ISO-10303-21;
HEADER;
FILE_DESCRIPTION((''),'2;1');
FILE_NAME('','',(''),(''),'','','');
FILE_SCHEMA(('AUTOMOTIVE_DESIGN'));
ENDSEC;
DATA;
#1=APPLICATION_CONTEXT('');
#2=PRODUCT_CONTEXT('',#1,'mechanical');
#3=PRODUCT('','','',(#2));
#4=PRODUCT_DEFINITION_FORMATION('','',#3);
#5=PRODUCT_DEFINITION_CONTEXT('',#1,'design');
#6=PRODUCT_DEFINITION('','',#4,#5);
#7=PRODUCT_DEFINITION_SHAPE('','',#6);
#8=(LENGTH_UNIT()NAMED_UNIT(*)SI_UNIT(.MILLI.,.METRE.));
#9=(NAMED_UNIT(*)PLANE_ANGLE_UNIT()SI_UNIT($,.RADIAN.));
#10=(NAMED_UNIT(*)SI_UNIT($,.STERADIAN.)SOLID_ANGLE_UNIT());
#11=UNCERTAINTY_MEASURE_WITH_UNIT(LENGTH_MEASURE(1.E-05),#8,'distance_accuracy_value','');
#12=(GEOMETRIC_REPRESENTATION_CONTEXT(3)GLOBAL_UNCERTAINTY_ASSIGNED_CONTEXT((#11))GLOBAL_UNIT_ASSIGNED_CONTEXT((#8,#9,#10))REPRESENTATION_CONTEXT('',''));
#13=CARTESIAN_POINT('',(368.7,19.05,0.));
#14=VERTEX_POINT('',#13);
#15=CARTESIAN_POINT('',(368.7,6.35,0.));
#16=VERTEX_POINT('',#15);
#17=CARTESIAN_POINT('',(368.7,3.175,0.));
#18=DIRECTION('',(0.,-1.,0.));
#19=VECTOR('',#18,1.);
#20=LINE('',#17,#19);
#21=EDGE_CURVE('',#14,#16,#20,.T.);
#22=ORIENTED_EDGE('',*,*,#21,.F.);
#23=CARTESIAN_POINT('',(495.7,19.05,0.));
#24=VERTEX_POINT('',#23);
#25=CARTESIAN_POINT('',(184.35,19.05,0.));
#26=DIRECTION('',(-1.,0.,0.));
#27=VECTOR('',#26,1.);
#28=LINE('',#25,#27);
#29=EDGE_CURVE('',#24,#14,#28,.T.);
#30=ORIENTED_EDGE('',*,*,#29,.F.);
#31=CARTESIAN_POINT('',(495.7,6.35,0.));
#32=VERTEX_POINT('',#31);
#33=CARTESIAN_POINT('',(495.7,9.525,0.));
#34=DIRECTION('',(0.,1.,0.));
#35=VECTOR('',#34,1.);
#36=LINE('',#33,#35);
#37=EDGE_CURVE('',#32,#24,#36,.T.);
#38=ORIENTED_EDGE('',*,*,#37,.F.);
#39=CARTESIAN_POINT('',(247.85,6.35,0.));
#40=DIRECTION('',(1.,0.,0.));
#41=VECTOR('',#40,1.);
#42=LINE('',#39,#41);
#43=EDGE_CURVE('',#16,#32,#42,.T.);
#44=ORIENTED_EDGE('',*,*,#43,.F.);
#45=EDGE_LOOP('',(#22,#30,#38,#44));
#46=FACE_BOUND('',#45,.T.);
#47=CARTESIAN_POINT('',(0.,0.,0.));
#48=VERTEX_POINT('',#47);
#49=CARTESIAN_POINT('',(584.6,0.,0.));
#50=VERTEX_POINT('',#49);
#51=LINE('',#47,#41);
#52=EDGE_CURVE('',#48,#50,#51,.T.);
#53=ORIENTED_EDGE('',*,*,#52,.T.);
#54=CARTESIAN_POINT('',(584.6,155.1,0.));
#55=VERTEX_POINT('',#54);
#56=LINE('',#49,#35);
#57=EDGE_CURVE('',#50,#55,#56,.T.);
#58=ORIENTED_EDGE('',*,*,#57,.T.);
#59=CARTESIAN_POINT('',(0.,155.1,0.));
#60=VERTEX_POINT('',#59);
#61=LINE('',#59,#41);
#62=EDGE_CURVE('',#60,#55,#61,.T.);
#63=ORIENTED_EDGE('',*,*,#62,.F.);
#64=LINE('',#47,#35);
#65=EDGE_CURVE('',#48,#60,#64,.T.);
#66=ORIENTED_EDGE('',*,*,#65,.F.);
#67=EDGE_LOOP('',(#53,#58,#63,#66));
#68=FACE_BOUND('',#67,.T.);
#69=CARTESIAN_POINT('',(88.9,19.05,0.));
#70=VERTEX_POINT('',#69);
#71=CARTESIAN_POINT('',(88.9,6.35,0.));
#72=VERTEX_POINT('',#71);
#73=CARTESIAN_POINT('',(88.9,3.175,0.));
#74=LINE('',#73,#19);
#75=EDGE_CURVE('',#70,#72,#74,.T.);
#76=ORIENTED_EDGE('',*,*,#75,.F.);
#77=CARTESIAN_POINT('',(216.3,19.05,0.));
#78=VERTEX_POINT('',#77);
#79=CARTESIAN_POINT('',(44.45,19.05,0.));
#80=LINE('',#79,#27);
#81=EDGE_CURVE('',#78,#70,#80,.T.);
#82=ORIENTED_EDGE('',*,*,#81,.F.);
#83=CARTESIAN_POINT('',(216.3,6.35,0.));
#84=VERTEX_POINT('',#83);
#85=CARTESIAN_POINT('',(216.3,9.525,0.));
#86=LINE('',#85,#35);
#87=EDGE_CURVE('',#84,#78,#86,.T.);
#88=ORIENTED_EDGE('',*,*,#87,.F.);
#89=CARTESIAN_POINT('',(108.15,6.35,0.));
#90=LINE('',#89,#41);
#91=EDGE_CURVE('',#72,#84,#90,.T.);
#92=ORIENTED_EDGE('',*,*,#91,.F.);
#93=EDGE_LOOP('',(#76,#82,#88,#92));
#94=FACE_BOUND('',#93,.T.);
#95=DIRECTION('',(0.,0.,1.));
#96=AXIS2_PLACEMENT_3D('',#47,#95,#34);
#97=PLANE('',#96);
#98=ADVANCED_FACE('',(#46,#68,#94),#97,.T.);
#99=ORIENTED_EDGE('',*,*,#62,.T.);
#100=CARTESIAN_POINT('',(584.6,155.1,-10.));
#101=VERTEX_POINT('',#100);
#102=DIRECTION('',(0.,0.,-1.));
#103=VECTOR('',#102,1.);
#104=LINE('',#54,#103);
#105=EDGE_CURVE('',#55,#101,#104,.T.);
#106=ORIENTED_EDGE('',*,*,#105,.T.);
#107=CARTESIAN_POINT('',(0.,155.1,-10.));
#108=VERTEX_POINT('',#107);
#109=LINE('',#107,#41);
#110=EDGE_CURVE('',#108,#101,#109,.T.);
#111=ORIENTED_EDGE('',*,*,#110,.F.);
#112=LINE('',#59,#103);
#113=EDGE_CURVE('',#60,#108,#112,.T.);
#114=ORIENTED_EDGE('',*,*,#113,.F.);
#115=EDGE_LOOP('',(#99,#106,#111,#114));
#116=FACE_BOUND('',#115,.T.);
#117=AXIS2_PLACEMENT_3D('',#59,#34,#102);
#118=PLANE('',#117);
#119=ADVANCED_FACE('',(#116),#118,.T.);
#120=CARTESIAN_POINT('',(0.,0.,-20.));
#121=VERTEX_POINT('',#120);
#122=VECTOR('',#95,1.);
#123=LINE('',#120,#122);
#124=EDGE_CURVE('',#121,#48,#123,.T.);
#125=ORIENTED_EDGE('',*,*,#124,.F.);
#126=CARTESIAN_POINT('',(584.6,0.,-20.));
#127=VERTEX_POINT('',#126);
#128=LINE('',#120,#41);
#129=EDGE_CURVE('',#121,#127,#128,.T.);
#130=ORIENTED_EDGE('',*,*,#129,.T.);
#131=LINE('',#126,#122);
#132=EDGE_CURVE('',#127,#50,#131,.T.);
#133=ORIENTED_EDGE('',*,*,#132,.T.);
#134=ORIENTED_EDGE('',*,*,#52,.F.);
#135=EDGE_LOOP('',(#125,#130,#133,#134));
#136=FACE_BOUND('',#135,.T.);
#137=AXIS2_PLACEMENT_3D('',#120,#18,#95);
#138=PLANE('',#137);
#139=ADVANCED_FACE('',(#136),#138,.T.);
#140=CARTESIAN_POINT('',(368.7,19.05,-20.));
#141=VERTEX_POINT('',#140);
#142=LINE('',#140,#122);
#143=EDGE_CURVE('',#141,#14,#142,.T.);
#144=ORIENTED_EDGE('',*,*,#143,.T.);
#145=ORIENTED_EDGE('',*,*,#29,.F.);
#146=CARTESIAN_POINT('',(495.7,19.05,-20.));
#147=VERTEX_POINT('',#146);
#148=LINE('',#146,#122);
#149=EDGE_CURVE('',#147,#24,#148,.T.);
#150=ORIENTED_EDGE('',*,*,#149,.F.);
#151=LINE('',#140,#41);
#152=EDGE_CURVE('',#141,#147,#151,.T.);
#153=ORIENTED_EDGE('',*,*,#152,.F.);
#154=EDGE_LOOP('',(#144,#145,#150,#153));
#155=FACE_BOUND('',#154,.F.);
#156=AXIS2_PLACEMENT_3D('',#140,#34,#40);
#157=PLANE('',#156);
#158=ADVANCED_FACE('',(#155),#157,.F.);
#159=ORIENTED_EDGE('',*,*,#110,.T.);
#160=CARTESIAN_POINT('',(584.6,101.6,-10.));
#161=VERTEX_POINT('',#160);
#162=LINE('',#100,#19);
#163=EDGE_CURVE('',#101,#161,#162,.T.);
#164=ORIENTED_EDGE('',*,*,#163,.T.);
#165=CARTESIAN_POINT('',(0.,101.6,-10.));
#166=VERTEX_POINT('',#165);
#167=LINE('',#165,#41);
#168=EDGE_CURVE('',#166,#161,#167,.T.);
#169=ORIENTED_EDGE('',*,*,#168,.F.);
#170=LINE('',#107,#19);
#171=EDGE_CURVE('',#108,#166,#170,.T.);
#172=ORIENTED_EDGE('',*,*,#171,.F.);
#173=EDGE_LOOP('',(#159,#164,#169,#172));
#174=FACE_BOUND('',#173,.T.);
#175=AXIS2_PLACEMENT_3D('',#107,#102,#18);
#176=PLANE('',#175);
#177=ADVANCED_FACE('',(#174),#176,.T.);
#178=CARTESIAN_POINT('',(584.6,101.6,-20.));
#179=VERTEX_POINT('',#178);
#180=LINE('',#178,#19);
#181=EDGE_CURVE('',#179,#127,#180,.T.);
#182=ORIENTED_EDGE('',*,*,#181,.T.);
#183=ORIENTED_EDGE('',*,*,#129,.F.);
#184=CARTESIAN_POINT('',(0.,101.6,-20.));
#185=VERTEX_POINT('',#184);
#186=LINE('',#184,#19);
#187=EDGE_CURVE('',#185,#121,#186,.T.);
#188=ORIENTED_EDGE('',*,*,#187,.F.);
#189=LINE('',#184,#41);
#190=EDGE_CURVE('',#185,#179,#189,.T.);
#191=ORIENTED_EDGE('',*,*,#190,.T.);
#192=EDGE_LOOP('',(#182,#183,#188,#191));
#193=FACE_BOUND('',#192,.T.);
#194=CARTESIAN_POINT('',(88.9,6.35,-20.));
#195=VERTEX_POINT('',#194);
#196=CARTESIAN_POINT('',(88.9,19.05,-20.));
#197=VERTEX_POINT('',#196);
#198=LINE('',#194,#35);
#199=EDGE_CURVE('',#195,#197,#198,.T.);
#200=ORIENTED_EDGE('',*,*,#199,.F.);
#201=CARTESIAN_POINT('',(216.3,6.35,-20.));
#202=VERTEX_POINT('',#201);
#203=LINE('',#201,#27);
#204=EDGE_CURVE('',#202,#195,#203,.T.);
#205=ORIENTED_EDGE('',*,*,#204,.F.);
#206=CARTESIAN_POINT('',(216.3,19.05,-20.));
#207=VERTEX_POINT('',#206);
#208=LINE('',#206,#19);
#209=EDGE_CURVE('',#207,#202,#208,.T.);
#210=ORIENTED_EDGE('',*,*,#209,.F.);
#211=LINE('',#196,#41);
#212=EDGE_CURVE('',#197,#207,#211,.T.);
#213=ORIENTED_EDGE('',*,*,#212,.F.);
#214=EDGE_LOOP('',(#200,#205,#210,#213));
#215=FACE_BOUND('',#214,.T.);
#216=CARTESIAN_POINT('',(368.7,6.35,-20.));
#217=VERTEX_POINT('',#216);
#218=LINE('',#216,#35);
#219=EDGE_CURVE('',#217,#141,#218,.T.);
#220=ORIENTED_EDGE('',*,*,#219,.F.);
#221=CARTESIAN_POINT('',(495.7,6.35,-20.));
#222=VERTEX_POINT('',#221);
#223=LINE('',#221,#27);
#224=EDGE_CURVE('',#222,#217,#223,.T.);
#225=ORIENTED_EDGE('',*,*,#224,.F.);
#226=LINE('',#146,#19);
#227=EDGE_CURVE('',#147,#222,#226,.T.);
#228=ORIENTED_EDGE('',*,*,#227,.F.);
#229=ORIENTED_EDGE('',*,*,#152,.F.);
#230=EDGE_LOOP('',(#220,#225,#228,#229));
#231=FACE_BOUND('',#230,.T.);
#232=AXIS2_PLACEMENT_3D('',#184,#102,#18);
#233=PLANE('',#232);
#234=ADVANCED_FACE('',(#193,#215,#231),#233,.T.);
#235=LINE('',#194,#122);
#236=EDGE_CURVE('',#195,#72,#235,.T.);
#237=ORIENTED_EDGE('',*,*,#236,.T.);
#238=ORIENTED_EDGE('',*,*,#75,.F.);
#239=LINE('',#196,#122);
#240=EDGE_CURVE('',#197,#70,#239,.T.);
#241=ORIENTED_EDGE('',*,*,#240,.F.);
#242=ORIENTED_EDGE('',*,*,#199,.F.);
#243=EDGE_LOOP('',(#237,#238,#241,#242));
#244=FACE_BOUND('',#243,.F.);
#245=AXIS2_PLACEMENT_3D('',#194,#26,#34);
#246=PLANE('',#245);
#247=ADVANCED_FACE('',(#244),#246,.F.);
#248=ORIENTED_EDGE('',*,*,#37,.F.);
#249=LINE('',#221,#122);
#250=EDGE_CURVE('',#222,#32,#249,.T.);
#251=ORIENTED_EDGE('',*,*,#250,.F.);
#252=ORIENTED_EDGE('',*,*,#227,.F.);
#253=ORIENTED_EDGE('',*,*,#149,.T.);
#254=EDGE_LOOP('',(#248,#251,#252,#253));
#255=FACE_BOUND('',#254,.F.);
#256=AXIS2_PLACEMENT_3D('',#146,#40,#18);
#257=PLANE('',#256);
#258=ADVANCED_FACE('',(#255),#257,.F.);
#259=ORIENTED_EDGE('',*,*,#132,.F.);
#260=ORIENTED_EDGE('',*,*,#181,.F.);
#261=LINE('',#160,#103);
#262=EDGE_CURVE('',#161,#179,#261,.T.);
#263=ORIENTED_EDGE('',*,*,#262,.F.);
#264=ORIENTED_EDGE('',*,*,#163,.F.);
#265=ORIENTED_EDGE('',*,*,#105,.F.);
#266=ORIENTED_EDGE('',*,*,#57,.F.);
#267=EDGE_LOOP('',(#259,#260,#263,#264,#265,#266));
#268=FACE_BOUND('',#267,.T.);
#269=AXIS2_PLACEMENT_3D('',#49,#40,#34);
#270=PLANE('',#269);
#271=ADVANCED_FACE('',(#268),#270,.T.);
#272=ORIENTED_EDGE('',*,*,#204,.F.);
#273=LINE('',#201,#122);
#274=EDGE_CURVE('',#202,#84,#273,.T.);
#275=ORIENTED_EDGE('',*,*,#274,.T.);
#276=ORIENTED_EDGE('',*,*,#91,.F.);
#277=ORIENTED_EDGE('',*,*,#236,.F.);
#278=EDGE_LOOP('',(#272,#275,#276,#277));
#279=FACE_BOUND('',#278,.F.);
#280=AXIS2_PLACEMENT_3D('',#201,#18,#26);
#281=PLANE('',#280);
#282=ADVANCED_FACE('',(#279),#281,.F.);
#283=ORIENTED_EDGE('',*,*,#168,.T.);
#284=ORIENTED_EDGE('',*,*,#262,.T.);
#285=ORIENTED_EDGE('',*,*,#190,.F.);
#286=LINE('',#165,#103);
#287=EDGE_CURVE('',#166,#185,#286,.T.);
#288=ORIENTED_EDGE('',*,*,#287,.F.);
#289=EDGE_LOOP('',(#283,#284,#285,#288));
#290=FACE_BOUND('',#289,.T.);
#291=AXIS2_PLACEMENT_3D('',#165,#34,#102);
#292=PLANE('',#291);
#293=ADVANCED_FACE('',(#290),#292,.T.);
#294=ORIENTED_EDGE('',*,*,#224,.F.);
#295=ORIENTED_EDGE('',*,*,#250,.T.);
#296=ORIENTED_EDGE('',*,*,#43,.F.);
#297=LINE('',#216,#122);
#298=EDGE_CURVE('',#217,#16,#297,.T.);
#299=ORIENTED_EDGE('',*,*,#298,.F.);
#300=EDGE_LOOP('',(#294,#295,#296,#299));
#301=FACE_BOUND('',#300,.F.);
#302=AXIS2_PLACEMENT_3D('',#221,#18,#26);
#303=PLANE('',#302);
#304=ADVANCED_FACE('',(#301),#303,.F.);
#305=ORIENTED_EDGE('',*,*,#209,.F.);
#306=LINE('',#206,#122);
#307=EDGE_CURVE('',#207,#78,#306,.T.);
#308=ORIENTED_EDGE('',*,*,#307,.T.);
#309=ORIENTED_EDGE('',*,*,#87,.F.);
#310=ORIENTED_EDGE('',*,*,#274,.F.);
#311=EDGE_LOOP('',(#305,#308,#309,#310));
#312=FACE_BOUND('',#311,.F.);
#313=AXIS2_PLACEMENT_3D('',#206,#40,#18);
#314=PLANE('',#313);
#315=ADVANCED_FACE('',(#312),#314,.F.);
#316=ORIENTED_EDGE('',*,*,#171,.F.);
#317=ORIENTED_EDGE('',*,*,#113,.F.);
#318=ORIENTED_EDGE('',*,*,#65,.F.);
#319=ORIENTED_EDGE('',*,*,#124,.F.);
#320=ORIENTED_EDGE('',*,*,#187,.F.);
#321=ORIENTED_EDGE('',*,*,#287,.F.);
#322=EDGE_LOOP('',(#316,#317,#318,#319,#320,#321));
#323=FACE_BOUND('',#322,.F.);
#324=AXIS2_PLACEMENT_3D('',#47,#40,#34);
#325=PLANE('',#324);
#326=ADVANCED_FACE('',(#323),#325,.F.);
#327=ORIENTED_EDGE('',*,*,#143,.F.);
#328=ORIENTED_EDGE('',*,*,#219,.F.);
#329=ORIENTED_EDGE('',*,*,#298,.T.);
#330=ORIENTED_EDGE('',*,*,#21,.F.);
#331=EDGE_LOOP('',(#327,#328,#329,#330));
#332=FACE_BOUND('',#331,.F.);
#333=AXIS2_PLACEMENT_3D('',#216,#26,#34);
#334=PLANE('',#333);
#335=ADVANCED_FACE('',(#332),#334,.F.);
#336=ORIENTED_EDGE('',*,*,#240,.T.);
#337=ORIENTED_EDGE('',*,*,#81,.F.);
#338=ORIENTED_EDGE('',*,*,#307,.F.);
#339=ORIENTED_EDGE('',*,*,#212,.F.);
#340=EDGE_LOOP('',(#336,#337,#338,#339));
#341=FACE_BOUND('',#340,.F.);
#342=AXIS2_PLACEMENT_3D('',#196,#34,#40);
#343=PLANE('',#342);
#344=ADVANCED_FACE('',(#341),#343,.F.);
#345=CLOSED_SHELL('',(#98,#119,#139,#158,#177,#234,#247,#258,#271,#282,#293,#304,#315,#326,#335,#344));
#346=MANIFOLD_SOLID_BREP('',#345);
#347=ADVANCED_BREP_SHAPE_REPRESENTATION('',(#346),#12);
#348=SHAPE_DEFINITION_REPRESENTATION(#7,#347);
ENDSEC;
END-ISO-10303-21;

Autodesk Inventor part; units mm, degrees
ref_plane "YZ Plane" through (0, 0, 0) normal (1, 0, 0) x (0, 1, 0)
sketch "Sketch1" plane through (0, 0, 0) normal (1, 0, 0) x (0, 1, 0)
  line L0 (0, 0) -> (155.1, 0)
  line L1 (155.1, 0) -> (155.1, -10)
  line L2 (0, -20) -> (0, 0)
  line L3 (155.1, -10) -> (101.6, -10)
  line L4 (101.6, -10) -> (101.6, -20)
  line L5 (101.6, -20) -> (0, -20)
  dimension "d0" = 53.5
  dimension "d1" = 155.1
  dimension "d2" = 10
  dimension "d3" = 10
  dimension "d4" = 20
extrude "Extrusion1" add sketch "Sketch1" along normal blind 584.6
ref_plane "Work Plane2" through (609.4222, 0, -20) normal (0, 0, -1) x (-1, 0, 0)
sketch "Sketch2" plane through (609.4222, 0, -20) normal (0, 0, -1) x (-1, 0, 0)
  line L0 (609.4222, 0) -> (609.4222, 155.1) projected
  line L1 (609.4222, 0) -> (609.4222, 6.35)
  line L2 (520.5222, 6.35) -> (520.5222, 19.05)
  line L3 (520.5222, 19.05) -> (393.1222, 19.05)
  line L4 (393.1222, 19.05) -> (393.1222, 6.35)
  line L5 (393.1222, 6.35) -> (240.7222, 6.35)
  line L6 (240.7222, 6.35) -> (240.7222, 19.05)
  line L7 (240.7222, 19.05) -> (113.7222, 19.05)
  line L8 (113.7222, 19.05) -> (113.7222, 6.35)
  line L9 (113.7222, 6.35) -> (240.7222, 6.35)
  line L10 (393.1222, 6.35) -> (520.5222, 6.35)
  line L11 (24.8222, 0) -> (24.8222, 101.6) projected
  dimension "d39" = 6.35
  dimension "d41" = 12.7
  dimension "d42" = 90
  dimension "d43" = 152.4
  dimension "d44" = 127
  dimension "d45" = 12.7
  dimension "d58" = 88.9
ref_plane "Work Plane1" through (609.4222, 0, -20) normal (0, 0, -1) x (-1, 0, 0)
sketch "Sketch3" plane through (609.4222, 0, -20) normal (0, 0, -1) x (-1, 0, 0)
  line L0 (609.4222, 0) -> (609.4222, 155.1)
  line L1 (609.4222, 0) -> (609.4222, 6.35)
  line L2 (520.5222, 6.35) -> (520.5222, 19.05)
  line L3 (520.5222, 19.05) -> (393.1222, 19.05)
  line L4 (393.1222, 19.05) -> (393.1222, 6.35)
  line L5 (393.1222, 6.35) -> (240.7222, 6.35)
  line L6 (240.7222, 6.35) -> (240.7222, 19.05)
  line L7 (240.7222, 19.05) -> (113.7222, 19.05)
  line L8 (113.7222, 19.05) -> (113.7222, 6.35)
  line L9 (113.7222, 6.35) -> (240.7222, 6.35)
  line L10 (393.1222, 6.35) -> (520.5222, 6.35)
  line L11 (24.8222, 0) -> (24.8222, 101.6) projected
  dimension "d46" = 6.35
  dimension "d48" = 12.7
  dimension "d49" = 90
  dimension "d50" = 152.4
  dimension "d51" = 127
  dimension "d52" = 12.7
  dimension "d57" = 88.9
extrude "Extrusion4" cut sketch "Sketch3" against normal blind 127 contours L9 L8 L7 L6
extrude "Extrusion5" cut sketch "Sketch2" against normal blind 127 contours L10 L4 L3 L2
properties part number "SkinnySideW" material "Wood (Birch)"
